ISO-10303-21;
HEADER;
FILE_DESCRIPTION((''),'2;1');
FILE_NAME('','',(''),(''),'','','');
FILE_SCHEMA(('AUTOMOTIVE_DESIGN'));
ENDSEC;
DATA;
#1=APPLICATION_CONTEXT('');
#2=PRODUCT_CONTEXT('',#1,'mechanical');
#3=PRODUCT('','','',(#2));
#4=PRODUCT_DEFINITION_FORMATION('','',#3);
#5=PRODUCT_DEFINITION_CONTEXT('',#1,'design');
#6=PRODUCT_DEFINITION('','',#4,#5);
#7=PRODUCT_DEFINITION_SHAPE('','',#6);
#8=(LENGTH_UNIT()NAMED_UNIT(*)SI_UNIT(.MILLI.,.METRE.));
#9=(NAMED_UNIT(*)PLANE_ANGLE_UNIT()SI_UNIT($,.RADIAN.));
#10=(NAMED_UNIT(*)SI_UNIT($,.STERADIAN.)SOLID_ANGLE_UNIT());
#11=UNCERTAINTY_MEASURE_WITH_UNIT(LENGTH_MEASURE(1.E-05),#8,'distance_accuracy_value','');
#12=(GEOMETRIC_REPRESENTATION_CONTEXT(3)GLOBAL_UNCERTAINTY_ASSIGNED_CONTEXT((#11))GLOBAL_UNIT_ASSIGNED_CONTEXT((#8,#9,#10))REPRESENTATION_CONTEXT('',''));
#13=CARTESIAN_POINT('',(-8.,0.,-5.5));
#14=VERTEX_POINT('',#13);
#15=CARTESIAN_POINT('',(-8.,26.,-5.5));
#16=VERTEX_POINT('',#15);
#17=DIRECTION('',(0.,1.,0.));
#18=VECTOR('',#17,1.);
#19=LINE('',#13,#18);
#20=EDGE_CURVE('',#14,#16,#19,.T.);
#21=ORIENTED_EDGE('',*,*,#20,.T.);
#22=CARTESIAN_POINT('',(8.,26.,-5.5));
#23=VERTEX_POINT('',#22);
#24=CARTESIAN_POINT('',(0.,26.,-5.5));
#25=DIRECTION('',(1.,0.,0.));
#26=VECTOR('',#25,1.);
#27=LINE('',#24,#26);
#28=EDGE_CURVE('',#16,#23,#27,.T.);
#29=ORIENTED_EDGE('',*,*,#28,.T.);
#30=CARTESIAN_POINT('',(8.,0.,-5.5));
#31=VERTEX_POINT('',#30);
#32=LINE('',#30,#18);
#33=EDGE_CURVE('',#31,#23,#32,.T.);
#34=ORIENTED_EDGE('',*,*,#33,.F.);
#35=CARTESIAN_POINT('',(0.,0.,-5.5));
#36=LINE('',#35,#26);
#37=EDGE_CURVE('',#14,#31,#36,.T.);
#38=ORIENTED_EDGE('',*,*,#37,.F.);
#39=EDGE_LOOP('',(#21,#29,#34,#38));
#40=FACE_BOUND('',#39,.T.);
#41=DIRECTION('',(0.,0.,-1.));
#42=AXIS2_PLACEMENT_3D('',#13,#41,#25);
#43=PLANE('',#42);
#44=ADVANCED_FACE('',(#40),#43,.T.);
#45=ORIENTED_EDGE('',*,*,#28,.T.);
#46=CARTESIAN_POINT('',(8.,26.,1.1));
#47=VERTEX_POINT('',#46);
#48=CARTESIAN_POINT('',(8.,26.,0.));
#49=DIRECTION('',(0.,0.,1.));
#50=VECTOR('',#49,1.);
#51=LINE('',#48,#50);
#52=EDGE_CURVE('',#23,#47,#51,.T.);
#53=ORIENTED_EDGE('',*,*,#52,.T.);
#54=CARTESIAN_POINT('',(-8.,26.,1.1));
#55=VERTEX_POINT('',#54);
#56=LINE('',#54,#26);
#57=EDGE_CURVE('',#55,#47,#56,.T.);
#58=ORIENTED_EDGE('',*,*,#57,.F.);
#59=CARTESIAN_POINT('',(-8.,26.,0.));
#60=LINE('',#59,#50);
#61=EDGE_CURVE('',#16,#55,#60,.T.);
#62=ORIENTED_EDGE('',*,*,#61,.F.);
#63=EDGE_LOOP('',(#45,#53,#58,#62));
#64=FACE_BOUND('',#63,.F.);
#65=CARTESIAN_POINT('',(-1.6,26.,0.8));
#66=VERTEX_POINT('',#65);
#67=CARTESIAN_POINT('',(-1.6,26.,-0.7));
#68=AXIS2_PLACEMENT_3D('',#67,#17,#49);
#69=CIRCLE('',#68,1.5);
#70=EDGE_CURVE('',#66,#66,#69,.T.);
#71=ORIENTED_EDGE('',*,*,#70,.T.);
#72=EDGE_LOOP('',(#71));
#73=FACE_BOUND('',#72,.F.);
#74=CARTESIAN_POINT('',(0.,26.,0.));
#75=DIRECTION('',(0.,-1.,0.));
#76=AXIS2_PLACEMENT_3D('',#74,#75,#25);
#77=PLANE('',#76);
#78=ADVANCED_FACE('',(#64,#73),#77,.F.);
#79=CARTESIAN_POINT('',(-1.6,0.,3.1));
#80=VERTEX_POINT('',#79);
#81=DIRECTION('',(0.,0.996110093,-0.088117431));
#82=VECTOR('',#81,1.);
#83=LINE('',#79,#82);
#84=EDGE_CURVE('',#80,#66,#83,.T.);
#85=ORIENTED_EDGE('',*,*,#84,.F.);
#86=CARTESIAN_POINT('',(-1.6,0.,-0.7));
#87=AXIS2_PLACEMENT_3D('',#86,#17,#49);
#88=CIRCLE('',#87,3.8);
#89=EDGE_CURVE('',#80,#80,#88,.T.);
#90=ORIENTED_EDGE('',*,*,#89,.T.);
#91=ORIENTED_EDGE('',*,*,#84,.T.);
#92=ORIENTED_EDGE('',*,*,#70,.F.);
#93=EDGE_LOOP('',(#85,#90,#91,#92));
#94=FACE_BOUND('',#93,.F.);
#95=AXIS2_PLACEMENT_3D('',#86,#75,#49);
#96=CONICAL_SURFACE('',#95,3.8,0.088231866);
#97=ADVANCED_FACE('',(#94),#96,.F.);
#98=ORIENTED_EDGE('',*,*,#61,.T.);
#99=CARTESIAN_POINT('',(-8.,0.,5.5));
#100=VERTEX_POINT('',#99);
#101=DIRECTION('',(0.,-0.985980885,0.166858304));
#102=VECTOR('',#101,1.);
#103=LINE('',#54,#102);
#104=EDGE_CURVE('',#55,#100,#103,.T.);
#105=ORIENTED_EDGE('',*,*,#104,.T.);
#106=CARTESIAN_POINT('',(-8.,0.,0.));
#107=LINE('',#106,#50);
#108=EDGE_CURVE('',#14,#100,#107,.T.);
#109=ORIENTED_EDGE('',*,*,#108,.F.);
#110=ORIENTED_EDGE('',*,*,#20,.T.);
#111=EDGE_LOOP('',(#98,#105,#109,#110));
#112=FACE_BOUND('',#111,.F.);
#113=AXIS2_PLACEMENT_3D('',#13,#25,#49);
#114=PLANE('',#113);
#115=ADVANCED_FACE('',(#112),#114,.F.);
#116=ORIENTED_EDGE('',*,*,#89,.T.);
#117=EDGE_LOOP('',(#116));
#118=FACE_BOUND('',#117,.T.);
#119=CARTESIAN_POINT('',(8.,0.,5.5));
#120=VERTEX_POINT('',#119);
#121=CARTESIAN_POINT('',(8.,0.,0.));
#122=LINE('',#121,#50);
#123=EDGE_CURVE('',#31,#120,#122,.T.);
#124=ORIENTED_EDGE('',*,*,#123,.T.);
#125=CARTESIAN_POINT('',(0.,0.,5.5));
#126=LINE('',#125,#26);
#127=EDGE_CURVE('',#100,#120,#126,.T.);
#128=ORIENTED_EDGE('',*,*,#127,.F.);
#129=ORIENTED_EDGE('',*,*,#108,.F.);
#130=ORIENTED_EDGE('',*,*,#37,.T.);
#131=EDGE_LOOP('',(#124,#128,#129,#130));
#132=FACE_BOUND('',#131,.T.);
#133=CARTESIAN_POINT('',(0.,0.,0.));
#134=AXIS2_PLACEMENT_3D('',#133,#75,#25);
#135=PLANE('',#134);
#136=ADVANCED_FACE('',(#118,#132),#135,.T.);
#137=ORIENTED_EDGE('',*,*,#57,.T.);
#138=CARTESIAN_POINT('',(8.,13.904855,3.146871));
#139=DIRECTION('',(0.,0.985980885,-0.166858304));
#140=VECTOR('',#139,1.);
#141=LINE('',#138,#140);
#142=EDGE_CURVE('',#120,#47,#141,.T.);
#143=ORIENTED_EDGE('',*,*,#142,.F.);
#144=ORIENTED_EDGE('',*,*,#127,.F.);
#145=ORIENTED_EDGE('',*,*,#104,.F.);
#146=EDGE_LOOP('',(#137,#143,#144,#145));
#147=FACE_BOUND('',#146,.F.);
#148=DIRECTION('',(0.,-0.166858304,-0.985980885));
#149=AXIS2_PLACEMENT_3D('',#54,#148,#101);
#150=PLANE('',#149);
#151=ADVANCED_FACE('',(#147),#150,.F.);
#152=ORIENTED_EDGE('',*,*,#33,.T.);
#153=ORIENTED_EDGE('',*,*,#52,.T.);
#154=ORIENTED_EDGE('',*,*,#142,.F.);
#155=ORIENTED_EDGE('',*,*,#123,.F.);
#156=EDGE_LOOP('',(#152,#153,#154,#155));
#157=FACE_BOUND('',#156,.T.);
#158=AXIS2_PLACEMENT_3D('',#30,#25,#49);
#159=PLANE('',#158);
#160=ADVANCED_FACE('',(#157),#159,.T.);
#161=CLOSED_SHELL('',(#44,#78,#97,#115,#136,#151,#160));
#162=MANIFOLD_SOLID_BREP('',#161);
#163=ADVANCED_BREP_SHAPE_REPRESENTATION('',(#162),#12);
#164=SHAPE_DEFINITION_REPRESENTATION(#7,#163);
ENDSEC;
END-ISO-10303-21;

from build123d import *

# Parameters (mm, degrees)
F0_W     = 16
F0_H     = 11
F1_DEPTH = 26
F6_DEPTH = 19.82577


with BuildPart() as f1:
    # F0 (on Front) → F1 (new body)
    with BuildSketch(Plane.XZ):
        Rectangle(F0_W, F0_H)
    extrude(amount=-F1_DEPTH)

    # F4 (on offset) → F5 (revolve, cut)
    with BuildSketch(Plane(origin=(-1.6, 0, 0), x_dir=(0, -1, 0), z_dir=(-1, 0, 0))):
        Polygon((-26, -0.7), (0, -0.7), (0, 3.1), (-26, 0.8), align=None)
    revolve(axis=Axis((-1.6, 13, -0.7), (0, 1, 0)), mode=Mode.SUBTRACT)

    # F2 (on face) → F6 (cut)
    with BuildSketch(Plane(origin=(-8, 0, 0), x_dir=(0, -1, 0), z_dir=(-1, 0, 0))):
        Polygon((-26, 5.5), (-26, 1.1), (0, 5.5), align=None)
    extrude(amount=-F6_DEPTH, mode=Mode.SUBTRACT)


solid = f1.part
